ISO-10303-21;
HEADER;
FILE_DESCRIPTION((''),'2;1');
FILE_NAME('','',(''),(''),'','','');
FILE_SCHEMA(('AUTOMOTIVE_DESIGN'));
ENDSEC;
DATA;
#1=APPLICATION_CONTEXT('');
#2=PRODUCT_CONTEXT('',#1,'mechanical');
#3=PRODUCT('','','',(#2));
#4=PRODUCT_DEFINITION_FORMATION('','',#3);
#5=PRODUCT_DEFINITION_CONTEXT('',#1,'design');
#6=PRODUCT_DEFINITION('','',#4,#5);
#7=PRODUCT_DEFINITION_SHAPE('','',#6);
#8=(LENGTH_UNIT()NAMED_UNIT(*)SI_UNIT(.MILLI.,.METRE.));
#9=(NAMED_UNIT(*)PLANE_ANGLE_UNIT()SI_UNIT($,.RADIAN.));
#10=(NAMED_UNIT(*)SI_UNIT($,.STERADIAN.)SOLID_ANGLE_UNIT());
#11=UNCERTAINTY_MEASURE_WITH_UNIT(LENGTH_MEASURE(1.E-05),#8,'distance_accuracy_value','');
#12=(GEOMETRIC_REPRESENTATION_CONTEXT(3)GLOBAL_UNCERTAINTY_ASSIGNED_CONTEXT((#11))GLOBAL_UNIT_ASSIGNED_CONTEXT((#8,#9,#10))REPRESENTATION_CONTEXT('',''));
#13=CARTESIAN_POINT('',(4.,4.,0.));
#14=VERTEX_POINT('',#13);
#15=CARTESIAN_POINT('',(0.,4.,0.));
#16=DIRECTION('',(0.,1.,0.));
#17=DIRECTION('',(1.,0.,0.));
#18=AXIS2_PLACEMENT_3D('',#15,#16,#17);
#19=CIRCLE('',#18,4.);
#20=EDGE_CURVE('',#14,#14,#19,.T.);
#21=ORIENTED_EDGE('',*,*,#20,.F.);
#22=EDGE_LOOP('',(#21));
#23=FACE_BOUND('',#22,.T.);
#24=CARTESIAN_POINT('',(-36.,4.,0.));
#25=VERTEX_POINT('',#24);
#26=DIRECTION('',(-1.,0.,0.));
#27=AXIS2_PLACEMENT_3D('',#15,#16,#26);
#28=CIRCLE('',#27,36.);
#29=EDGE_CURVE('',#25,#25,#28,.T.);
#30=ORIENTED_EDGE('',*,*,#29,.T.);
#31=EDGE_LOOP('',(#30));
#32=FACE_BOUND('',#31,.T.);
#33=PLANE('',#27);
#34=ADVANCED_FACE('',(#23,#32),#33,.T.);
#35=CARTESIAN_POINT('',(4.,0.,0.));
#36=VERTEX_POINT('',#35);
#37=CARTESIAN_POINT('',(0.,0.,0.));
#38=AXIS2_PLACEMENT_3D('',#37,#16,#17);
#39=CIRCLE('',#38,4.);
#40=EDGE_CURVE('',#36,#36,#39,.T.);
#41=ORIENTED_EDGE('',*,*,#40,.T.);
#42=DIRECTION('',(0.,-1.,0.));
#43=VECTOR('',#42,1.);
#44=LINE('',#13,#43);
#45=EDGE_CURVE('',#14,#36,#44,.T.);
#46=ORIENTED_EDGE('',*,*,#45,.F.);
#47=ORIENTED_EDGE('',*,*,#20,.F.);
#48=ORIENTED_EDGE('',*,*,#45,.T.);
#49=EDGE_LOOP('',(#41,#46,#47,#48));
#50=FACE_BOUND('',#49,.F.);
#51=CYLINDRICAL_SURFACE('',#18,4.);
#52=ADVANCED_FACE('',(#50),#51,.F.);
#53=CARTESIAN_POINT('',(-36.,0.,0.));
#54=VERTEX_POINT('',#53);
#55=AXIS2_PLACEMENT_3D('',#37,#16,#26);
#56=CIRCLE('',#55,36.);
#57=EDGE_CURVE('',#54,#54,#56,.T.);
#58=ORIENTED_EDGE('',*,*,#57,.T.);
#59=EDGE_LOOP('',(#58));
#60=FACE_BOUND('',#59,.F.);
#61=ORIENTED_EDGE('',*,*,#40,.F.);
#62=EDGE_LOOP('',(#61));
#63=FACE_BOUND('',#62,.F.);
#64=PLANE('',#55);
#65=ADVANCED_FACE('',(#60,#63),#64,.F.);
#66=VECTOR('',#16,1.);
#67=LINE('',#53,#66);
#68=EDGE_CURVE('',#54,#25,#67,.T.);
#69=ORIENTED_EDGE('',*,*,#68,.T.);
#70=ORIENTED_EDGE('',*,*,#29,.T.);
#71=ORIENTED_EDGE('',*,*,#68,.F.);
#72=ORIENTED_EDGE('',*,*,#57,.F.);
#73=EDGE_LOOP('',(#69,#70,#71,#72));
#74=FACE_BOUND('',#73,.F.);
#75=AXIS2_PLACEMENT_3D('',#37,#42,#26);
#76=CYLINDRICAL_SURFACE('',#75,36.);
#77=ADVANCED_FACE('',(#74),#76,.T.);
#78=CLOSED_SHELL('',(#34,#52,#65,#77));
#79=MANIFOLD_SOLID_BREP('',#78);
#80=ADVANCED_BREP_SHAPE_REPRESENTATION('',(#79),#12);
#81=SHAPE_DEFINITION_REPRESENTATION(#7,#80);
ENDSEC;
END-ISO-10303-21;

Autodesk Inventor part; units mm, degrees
ref_plane "YZ Plane" through (0, 0, 0) normal (1, 0, 0) x (0, 1, 0)
ref_plane "XZ Plane" through (0, 0, 0) normal (0, 1, 0) x (-1, 0, 0)
ref_plane "XY Plane" through (0, 0, 0) normal (0, 0, 1) x (1, 0, 0)
sketch "Boceto1" plane through (0, 0, 0) normal (0, 1, 0) x (-1, 0, 0)
  circle A0 centre (0, 0) radius 36
  dimension "d0" = 72
extrude "Extrusión1" add sketch "Boceto1" along normal blind 4
sketch "Boceto2" plane through (0, 4, 0) normal (0, 1, 0) x (1, 0, 0)
  circle A0 centre (0, 0) radius 4
  dimension "d3" = 8
extrude "Extrusión2" cut sketch "Boceto2" against normal up to surface (4 mm away)
properties part number "BASE_SUPERIOR_FENOLICO"
